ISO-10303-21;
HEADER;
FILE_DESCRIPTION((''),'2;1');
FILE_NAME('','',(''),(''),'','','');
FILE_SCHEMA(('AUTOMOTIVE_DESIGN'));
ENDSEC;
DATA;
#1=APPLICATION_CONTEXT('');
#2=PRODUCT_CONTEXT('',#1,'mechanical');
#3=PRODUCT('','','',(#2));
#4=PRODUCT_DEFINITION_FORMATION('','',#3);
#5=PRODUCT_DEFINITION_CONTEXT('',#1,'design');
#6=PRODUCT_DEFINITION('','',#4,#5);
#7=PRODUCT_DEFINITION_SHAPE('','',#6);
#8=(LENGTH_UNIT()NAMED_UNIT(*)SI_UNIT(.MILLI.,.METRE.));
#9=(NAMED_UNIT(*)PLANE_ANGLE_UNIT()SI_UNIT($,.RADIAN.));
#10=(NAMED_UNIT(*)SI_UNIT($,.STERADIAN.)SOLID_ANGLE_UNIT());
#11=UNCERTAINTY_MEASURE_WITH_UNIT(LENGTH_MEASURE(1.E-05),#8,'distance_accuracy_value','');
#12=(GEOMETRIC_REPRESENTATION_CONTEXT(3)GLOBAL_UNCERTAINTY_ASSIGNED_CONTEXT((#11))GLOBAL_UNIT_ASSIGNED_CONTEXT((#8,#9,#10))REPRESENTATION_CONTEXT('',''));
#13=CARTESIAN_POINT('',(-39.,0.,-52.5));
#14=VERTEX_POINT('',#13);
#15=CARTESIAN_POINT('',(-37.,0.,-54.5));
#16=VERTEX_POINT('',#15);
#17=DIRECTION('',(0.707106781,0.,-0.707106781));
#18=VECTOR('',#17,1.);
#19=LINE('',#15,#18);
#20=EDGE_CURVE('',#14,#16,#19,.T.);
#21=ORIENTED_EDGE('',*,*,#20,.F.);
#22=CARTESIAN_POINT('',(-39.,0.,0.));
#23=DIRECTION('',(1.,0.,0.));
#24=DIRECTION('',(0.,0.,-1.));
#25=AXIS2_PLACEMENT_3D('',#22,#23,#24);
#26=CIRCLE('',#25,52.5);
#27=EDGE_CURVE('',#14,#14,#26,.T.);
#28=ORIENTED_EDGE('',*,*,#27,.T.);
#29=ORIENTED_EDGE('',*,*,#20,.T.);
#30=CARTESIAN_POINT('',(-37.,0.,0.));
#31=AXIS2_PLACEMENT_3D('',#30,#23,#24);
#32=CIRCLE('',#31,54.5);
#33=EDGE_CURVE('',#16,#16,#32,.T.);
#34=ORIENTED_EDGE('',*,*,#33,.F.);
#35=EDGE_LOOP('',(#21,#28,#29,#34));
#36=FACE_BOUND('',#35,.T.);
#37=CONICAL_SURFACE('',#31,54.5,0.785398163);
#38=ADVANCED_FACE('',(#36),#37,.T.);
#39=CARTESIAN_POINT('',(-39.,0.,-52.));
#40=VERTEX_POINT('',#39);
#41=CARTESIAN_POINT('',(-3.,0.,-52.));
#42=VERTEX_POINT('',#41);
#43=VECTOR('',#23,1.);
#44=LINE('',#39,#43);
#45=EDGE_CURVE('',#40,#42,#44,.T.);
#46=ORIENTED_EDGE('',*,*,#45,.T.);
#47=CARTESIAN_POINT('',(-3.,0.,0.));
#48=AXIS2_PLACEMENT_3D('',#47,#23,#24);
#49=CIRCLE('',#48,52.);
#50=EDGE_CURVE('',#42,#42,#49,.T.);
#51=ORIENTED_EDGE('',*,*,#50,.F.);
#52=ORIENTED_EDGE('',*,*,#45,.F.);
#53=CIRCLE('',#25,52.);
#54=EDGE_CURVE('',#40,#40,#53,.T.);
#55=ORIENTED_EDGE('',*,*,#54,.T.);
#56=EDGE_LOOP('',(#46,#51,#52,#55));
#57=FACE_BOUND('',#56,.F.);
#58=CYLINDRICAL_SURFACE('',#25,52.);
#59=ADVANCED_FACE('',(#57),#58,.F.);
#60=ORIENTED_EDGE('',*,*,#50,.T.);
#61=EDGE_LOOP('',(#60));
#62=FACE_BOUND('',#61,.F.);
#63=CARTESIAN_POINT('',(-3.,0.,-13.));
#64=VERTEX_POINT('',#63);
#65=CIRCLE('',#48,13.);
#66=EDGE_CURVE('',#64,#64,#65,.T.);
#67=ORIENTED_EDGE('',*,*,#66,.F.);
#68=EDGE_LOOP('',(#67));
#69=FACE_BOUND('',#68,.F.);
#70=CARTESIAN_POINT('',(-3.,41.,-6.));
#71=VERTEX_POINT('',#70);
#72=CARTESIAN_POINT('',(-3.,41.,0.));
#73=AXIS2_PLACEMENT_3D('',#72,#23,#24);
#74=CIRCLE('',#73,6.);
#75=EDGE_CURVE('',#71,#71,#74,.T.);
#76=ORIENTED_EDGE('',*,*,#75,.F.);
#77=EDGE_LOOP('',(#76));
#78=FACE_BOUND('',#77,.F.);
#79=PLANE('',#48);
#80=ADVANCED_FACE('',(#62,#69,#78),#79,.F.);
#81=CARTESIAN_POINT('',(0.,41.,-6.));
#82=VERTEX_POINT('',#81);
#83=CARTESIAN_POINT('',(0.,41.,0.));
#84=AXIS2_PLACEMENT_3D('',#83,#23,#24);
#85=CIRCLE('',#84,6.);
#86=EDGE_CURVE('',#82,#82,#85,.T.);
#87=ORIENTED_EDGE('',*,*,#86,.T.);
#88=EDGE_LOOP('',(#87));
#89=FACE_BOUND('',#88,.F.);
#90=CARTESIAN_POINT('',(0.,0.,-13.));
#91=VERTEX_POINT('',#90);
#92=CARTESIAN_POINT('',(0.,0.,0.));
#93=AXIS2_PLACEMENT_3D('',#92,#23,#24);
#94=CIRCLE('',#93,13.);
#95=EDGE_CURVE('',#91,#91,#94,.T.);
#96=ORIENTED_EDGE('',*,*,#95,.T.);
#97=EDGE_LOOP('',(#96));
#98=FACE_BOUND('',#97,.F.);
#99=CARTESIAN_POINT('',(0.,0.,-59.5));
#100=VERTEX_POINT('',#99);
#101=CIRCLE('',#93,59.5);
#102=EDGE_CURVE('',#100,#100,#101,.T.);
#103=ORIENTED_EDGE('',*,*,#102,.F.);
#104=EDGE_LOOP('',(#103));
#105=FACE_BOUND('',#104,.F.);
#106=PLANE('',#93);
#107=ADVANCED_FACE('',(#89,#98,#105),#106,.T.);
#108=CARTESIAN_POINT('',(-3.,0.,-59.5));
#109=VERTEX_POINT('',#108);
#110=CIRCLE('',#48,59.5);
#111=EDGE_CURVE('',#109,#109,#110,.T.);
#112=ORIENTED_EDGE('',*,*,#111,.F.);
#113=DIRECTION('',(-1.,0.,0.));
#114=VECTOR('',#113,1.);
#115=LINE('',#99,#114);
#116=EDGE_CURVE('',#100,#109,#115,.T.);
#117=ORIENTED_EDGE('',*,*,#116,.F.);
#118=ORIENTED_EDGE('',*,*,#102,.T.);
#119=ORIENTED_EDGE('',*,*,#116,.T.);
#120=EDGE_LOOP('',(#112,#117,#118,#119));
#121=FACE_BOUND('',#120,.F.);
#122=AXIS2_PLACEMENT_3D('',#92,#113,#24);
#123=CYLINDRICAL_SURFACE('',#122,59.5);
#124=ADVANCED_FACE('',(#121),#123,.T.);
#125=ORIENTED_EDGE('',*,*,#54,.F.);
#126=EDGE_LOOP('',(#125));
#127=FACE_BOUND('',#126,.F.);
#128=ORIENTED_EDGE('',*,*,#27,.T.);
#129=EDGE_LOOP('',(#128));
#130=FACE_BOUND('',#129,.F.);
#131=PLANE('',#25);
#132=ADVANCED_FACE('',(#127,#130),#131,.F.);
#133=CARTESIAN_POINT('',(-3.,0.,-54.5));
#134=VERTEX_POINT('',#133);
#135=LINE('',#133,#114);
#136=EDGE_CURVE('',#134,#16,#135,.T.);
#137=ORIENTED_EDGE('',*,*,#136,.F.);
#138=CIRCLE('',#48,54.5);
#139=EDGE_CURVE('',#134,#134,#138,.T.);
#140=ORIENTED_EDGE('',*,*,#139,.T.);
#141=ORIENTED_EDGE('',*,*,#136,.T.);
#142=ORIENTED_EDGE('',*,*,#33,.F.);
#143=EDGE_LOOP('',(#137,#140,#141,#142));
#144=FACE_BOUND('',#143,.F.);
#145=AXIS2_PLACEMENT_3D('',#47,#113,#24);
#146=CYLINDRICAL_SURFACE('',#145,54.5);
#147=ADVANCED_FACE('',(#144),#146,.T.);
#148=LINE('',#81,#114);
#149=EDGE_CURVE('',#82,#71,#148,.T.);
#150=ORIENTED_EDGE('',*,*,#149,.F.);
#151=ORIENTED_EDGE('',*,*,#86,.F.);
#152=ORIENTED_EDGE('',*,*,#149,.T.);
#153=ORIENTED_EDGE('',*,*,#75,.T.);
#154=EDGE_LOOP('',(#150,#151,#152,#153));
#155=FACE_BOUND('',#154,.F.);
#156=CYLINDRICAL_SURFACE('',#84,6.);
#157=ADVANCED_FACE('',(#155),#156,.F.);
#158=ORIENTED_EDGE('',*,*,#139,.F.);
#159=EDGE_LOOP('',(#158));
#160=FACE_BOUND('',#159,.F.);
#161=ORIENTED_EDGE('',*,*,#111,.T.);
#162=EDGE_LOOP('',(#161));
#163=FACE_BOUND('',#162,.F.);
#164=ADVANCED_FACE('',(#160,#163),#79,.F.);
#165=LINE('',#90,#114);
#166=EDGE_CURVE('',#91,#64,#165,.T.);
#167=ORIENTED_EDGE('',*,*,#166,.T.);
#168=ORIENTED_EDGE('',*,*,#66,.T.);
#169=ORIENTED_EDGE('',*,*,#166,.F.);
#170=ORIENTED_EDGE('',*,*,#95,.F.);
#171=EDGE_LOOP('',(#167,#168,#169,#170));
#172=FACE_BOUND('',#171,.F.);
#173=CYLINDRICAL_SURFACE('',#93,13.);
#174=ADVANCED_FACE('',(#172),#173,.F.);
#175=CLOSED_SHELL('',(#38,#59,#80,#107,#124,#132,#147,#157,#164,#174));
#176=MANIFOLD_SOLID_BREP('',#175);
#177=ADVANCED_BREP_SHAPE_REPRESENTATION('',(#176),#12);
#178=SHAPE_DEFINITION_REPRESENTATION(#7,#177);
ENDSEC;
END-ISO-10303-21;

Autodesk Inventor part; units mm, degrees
ref_plane "YZ Plane" through (0, 0, 0) normal (1, 0, 0) x (0, 1, 0)
ref_plane "XZ Plane" through (0, 0, 0) normal (0, 1, 0) x (-1, 0, 0)
ref_plane "XY Plane" through (0, 0, 0) normal (0, 0, 1) x (1, 0, 0)
sketch "Sketch1" plane through (0, 0, 0) normal (0, 1, 0) x (-1, 0, 0)
  line L0 (0, 0) -> (0, -59.5)
  line L1 (0, -59.5) -> (3, -59.5)
  line L2 (3, -59.5) -> (3, -54.5)
  line L3 (3, -54.5) -> (39, -54.5)
  line L4 (39, -54.5) -> (39, -52)
  line L5 (39, -52) -> (3, -52)
  line L6 (3, -52) -> (3, 0)
  line L7 (3, 0) -> (0, 0)
  dimension "d3" = 3
  dimension "d4" = 5
  dimension "d5" = 36
  dimension "d6" = 2.5
  dimension "d14" = 52
revolve "Revolution1" add sketch "Sketch1" angle 360 about axis through (-3, 0, 0) along (1, 0, 0)
chamfer "Chamfer1" distance 2 angle 45 1 edges at (-39, 0, 54.5)
sketch "Sketch3" plane through (0, 0, 0) normal (1, 0, 0) x (0, 0, -1)
  circle A0 centre (0, 0) radius 13
  circle A1 centre (0, 0) radius 52 construction
  line L0 (0, 0) -> (0, 103.7887) construction
  circle A2 centre (0, 41) radius 6
  point P0 (0, 52)
  dimension "d15" = 26
  dimension "d16" = 12
  dimension "d17" = 11
extrude "holes" cut sketch "Sketch3" against normal blind 10
properties part number "aftPlug" material "PVC-Piping"
